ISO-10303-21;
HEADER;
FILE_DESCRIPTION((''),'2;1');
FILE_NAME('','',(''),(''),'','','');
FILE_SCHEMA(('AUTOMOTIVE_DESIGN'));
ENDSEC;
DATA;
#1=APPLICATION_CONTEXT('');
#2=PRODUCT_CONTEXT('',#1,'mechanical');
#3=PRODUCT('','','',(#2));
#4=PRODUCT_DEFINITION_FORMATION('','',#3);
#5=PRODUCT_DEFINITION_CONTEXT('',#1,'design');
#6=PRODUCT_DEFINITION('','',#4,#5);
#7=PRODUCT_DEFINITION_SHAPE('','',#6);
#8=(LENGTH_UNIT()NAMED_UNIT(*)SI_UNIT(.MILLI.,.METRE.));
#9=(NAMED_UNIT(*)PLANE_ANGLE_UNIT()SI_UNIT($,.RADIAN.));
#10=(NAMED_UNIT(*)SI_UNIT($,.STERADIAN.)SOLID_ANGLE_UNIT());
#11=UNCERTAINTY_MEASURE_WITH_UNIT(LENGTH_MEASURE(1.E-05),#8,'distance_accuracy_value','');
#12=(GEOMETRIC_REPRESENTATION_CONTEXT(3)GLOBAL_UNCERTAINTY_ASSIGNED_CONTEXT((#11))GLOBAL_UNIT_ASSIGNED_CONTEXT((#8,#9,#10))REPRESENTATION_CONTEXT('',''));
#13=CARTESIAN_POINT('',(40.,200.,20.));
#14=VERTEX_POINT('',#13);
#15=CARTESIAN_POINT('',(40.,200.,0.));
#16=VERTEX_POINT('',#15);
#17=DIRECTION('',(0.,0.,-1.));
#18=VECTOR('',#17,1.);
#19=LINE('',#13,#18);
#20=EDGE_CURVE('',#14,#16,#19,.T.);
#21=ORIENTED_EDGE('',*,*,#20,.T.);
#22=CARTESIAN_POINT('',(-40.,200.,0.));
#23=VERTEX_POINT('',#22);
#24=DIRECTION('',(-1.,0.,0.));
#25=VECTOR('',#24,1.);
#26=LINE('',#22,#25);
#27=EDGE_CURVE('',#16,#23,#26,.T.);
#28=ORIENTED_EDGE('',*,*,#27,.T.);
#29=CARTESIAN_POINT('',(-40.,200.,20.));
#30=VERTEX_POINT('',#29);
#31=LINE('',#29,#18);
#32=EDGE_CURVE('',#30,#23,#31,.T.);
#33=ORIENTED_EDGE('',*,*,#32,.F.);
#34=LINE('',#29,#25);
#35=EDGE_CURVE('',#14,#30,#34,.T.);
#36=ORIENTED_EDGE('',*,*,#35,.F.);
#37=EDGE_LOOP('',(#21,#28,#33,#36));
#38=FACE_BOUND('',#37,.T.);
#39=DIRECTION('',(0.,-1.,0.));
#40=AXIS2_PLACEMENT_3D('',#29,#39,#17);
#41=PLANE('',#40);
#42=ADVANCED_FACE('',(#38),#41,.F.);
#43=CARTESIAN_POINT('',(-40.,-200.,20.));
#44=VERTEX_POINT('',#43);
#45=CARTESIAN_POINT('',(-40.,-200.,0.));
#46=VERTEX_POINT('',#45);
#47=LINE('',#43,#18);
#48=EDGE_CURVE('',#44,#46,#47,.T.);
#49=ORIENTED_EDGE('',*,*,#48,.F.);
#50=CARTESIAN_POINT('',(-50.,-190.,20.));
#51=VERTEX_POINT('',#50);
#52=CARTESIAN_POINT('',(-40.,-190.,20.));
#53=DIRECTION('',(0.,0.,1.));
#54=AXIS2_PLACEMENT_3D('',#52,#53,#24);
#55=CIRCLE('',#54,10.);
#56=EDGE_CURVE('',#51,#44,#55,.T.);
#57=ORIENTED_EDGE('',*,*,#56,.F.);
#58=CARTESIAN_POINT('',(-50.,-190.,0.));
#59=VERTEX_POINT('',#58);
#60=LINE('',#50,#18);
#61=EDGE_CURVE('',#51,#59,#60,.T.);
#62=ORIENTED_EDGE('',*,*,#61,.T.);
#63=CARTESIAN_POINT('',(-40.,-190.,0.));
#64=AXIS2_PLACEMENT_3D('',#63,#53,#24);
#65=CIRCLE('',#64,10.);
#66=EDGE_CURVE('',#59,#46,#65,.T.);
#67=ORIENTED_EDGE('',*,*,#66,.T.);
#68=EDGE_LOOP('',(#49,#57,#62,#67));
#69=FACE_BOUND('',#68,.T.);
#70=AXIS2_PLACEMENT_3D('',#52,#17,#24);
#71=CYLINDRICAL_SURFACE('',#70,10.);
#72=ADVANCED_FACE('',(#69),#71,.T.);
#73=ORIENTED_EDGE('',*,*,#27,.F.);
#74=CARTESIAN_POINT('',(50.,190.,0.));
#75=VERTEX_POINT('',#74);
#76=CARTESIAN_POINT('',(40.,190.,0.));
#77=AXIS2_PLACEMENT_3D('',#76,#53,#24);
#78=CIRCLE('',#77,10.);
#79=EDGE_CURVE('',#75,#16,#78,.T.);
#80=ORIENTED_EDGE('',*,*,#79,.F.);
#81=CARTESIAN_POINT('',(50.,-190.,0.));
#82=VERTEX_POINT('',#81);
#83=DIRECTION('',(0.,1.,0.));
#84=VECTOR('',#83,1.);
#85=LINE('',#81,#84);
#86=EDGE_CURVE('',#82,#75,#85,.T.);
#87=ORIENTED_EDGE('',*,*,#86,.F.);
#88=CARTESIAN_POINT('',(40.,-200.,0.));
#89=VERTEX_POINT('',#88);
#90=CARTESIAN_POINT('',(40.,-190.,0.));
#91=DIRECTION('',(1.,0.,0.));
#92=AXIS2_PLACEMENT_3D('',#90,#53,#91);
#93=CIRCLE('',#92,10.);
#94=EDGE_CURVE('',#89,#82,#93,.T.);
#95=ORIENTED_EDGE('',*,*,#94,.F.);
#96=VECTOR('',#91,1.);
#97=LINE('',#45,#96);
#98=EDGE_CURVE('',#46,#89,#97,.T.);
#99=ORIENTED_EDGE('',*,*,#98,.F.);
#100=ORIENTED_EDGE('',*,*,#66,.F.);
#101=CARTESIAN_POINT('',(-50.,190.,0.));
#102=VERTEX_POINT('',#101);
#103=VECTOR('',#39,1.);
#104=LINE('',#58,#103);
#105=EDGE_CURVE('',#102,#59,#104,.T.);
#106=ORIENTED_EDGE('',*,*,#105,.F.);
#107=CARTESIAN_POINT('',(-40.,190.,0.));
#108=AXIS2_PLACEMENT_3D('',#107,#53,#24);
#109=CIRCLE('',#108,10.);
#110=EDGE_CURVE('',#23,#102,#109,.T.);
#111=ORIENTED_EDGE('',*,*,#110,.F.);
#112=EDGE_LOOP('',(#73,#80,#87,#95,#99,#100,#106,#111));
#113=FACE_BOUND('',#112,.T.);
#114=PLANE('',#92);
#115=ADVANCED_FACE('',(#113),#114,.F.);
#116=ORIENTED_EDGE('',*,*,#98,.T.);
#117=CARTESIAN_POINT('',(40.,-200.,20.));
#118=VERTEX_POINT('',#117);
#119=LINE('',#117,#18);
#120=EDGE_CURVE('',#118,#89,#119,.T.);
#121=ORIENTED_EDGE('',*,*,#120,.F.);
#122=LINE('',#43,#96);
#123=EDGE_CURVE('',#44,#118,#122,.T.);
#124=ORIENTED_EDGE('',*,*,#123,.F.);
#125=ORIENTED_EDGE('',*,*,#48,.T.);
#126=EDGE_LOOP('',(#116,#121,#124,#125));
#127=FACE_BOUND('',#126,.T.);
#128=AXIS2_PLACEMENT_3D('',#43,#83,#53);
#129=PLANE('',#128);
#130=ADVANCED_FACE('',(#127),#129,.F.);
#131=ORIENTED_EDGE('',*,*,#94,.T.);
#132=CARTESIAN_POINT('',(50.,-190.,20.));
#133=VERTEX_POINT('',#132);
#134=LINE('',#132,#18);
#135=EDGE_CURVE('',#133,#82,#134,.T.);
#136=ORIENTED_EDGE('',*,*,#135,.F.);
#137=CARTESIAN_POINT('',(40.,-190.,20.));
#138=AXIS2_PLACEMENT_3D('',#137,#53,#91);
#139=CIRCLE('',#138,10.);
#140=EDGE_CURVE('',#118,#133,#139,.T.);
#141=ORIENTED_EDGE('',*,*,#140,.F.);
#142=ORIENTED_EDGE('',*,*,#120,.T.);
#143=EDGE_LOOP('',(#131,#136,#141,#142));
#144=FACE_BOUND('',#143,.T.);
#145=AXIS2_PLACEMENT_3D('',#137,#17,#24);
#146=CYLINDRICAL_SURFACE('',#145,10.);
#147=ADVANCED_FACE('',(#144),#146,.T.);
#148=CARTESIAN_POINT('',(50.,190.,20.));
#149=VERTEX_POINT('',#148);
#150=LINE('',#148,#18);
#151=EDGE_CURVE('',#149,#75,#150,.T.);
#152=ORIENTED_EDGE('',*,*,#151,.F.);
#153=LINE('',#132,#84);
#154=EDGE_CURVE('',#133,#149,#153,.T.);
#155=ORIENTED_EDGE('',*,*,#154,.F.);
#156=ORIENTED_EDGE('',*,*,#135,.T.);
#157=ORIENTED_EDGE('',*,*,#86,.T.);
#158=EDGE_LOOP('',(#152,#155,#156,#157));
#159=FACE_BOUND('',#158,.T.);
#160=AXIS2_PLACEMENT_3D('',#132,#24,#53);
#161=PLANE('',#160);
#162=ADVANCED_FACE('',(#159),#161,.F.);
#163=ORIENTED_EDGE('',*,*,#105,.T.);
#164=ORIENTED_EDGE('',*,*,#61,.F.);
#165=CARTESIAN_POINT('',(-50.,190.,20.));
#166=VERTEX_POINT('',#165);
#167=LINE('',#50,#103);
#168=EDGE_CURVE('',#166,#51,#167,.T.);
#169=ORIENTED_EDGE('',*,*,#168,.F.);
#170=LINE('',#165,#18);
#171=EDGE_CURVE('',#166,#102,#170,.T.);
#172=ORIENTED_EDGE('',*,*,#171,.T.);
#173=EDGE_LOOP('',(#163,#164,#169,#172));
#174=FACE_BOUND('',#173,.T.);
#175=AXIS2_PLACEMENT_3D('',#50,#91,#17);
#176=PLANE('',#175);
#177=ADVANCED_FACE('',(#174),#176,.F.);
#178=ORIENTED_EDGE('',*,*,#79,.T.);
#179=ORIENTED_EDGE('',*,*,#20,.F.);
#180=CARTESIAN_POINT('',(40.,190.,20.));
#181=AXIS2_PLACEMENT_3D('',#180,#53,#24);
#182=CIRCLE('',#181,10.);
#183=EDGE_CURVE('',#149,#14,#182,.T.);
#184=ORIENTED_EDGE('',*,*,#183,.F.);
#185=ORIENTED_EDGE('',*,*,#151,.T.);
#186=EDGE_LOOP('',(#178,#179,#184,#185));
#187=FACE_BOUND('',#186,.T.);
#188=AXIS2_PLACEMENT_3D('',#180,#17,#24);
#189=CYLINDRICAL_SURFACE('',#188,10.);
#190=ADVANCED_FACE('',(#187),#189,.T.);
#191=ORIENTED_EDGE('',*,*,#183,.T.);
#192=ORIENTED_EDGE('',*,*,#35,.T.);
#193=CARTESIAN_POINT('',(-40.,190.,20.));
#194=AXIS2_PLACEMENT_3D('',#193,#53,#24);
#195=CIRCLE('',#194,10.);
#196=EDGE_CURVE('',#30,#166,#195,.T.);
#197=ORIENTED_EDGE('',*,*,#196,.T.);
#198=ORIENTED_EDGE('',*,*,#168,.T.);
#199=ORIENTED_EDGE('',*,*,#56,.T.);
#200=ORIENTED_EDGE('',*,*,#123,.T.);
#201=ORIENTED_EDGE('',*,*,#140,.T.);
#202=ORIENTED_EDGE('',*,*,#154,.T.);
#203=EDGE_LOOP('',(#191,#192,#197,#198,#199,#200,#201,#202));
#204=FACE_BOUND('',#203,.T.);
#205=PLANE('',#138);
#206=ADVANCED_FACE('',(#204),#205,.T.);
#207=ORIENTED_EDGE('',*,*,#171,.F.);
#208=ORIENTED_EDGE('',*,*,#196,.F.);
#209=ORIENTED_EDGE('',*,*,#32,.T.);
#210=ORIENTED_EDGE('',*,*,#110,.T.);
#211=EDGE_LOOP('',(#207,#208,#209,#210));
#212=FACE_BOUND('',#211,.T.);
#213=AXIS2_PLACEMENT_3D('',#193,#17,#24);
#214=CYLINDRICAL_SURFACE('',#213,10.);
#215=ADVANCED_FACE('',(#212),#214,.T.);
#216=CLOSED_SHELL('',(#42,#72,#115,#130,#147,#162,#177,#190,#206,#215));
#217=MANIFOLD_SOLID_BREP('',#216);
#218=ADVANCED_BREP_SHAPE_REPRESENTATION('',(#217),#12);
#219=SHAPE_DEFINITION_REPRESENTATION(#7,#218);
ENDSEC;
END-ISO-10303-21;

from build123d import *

# Parameters (mm, degrees)
BOSS_EXTRUDE1_DEPTH = 20


with BuildPart() as part:
    # Sketch1 → Boss-Extrude1 (new body)
    with BuildSketch(Plane.XY):
        with BuildLine():
            Line((-40, -200), (40, -200))
            ThreePointArc((40, -200), (47.071067812, -197.071067812), (50, -190))
            Line((50, -190), (50, 190))
            ThreePointArc((50, 190), (47.071067812, 197.071067812), (40, 200))
            Line((40, 200), (-40, 200))
            ThreePointArc((-40, 200), (-47.071067812, 197.071067812), (-50, 190))
            Line((-50, 190), (-50, -190))
            ThreePointArc((-50, -190), (-47.071067812, -197.071067812), (-40, -200))
        make_face()
    extrude(amount=BOSS_EXTRUDE1_DEPTH)


solid = part.part
